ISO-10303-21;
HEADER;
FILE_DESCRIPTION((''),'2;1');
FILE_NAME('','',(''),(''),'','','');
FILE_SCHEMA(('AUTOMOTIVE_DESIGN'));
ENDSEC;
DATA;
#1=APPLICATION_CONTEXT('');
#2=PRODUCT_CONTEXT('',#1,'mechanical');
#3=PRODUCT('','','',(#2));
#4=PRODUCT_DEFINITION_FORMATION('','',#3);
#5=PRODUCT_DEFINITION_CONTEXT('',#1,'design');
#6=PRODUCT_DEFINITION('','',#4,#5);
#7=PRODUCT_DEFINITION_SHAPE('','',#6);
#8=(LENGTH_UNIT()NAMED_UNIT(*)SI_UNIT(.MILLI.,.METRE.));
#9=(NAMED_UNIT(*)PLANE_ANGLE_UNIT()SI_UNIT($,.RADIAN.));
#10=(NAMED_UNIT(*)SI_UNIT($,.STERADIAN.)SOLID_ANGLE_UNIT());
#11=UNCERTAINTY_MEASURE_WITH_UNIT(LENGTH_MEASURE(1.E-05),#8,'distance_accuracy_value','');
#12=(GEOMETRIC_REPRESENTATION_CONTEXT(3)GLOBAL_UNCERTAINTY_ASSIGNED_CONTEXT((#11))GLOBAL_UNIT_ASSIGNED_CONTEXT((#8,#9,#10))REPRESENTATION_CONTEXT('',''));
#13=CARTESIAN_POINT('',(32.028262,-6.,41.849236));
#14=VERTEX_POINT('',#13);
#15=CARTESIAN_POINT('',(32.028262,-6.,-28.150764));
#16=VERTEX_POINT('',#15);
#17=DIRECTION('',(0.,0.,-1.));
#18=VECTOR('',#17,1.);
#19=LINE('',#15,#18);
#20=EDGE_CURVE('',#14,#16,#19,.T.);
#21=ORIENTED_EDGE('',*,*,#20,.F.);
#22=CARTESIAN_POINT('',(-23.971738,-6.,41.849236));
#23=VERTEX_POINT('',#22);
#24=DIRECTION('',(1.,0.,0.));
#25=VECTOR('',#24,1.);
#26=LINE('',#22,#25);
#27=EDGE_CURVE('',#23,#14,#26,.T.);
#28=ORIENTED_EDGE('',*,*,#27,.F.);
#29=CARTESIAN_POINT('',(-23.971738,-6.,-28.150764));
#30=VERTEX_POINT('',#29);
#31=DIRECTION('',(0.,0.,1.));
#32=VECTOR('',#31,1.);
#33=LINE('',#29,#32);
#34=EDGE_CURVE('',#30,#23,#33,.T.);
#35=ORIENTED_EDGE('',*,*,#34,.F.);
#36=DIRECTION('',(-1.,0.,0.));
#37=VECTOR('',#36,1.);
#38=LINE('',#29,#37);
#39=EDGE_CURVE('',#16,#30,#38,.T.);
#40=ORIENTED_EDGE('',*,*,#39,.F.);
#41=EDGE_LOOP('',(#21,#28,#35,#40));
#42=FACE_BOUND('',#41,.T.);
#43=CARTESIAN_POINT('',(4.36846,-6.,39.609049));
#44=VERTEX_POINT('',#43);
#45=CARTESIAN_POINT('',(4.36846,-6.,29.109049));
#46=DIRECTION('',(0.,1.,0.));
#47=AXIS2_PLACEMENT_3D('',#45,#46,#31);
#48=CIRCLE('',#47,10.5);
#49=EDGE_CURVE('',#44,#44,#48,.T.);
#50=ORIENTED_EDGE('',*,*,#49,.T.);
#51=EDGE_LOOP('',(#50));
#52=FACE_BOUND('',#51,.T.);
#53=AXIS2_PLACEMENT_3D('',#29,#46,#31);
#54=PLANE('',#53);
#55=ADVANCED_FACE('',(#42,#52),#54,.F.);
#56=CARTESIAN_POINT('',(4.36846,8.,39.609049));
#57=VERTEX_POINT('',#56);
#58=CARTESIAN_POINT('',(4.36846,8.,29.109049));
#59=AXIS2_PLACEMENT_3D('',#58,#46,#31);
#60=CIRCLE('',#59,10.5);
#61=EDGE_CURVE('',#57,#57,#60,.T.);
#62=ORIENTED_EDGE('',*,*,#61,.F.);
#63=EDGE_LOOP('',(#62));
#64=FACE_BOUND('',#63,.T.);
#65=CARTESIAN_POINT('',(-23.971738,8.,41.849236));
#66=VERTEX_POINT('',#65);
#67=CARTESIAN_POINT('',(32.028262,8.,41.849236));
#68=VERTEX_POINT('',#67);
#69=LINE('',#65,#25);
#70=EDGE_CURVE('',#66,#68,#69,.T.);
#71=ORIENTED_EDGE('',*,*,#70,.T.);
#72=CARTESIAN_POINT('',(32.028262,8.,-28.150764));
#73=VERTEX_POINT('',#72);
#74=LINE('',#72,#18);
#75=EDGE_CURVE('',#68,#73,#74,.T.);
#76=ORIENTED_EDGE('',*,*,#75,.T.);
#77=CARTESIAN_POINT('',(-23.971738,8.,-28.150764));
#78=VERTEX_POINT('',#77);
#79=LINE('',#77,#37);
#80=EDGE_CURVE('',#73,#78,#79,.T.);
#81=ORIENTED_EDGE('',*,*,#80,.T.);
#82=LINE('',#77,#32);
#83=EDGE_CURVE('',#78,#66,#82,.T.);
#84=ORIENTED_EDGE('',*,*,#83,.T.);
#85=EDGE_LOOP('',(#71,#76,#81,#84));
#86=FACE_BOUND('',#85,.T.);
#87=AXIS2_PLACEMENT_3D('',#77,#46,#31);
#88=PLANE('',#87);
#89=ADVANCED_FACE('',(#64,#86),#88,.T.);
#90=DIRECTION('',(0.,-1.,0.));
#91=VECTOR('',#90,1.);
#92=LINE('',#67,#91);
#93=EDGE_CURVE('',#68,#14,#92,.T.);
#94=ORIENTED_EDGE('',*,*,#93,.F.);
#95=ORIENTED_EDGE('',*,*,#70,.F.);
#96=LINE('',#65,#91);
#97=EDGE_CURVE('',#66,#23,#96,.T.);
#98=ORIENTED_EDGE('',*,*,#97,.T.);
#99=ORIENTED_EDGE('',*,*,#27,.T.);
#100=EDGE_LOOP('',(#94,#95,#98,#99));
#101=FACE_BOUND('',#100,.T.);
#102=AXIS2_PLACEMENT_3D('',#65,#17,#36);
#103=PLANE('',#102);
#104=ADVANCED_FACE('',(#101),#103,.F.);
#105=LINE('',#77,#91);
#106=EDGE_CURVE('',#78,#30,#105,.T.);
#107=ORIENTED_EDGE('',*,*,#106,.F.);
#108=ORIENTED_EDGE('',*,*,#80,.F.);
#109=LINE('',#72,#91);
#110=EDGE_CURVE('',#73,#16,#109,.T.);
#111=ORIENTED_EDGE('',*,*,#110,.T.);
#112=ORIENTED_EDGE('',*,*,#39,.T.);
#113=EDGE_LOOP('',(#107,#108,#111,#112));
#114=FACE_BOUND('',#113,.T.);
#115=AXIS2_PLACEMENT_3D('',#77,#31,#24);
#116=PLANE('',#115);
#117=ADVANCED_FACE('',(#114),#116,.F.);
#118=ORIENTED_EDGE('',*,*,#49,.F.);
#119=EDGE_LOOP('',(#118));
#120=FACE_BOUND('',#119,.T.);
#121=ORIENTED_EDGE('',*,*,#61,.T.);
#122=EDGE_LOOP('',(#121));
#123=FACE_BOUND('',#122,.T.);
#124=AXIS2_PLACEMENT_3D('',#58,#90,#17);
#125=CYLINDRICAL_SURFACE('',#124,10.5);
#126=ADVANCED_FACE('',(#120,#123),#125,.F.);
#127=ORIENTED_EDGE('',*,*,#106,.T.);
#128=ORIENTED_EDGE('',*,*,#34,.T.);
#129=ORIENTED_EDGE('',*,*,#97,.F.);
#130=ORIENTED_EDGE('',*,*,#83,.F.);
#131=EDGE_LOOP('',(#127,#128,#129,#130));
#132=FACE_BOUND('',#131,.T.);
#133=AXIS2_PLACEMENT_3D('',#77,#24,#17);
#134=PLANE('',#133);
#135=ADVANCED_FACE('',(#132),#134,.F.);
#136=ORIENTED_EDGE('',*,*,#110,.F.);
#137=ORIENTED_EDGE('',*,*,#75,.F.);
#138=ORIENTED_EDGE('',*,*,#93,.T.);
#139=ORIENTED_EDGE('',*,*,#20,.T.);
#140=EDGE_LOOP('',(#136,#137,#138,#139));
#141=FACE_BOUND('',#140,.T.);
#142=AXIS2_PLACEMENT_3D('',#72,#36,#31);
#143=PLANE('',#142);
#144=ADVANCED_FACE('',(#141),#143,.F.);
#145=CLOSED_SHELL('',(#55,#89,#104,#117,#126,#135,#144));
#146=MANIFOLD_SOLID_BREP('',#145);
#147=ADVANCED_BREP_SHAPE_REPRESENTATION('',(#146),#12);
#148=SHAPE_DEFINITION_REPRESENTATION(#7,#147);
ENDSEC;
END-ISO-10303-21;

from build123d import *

# Parameters (mm, degrees)
CROQUIS1_W              = 8
CROQUIS1_H              = 10
CROQUIS1_R              = 1.5
SALIENTE_EXTRUIR1_DEPTH = 2
ESCALA1_SCALE           = 7


with BuildPart() as part:
    # Croquis1 → Saliente-Extruir1 (new body)
    with BuildSketch(Plane(origin=(0, 0, 0), x_dir=(1, 0, 0), z_dir=(0, 1, 0))):
        with Locations((4, -5)):
            Rectangle(CROQUIS1_W, CROQUIS1_H)
        with Locations((4.048599745, -8.17997322)):
            Circle(CROQUIS1_R, mode=Mode.SUBTRACT)
    extrude(amount=SALIENTE_EXTRUIR1_DEPTH)


with BuildPart() as part_1:
    # Escala1: scaled about (3.995289666, 1, 4.691793918)
    add(part.part.scale(ESCALA1_SCALE).moved(Location((-23.971737996, -6, -28.150763508))))


solid = part_1.part
